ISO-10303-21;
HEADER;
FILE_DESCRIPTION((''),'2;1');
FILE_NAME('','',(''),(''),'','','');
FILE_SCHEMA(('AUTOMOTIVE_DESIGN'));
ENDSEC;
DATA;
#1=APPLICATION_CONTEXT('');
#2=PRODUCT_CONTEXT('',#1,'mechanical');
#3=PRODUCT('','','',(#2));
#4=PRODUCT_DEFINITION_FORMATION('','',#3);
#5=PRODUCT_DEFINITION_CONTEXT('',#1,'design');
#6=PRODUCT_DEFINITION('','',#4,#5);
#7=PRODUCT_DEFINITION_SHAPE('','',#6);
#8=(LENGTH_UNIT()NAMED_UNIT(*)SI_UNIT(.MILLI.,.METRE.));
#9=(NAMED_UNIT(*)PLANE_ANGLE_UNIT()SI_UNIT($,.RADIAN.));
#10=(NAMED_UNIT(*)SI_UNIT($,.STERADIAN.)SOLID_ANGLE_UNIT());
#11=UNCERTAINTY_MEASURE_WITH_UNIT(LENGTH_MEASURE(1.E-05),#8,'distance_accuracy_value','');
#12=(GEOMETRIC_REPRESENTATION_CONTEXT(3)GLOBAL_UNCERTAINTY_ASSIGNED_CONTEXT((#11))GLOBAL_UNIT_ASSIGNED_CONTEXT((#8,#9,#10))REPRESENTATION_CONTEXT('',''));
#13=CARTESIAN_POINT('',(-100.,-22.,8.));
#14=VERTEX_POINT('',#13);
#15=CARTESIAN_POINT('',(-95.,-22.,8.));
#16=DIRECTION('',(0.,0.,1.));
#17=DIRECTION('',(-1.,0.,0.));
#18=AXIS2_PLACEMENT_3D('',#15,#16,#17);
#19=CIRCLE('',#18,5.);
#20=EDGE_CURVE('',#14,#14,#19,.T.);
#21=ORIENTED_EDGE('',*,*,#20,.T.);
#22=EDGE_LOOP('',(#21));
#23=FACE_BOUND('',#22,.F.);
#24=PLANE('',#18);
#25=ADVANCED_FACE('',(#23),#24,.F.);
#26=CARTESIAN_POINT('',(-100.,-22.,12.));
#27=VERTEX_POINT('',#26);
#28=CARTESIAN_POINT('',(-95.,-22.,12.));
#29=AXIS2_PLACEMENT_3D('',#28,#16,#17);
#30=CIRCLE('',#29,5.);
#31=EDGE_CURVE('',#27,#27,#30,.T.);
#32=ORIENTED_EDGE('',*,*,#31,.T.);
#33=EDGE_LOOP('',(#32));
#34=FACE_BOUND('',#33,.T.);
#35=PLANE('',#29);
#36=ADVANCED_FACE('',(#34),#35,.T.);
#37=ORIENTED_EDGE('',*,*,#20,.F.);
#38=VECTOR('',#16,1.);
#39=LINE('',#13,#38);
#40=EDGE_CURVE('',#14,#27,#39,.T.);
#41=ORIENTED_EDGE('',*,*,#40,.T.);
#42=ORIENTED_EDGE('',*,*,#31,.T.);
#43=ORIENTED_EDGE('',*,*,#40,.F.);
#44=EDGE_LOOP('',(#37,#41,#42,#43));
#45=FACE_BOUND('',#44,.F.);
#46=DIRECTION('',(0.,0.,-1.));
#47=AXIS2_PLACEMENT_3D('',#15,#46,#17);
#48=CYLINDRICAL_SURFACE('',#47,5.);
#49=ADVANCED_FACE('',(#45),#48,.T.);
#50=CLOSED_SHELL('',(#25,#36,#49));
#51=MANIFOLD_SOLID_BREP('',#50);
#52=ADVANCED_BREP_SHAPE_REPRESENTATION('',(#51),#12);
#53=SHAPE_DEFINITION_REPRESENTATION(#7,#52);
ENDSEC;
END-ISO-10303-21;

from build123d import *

# Parameters (mm, degrees)
CYLINDER004_R     = 5
CYLINDER004_DEPTH = 4


with BuildPart() as f_623zz:
    # Cylinder004 → Cylinder004 (new body)
    with BuildSketch(Plane(origin=(95, 22, 8), x_dir=(1, 0, 0), z_dir=(0, 0, 1))):
        Circle(CYLINDER004_R)
    extrude(amount=CYLINDER004_DEPTH)


with BuildPart() as part_mirroring011:
    # Part__Mirroring011: instance of 623ZZ
    add(f_623zz.part.mirror(Plane(origin=(0, 0, 0), x_dir=(1, 0, 0), z_dir=(0, 1, 0))))


with BuildPart() as part_mirroring015:
    # Part__Mirroring015: instance of Part__Mirroring011
    add(part_mirroring011.part.mirror(Plane(origin=(0, 0, 0), x_dir=(0, -1, 0), z_dir=(1, 0, 0))))


solid = part_mirroring015.part
